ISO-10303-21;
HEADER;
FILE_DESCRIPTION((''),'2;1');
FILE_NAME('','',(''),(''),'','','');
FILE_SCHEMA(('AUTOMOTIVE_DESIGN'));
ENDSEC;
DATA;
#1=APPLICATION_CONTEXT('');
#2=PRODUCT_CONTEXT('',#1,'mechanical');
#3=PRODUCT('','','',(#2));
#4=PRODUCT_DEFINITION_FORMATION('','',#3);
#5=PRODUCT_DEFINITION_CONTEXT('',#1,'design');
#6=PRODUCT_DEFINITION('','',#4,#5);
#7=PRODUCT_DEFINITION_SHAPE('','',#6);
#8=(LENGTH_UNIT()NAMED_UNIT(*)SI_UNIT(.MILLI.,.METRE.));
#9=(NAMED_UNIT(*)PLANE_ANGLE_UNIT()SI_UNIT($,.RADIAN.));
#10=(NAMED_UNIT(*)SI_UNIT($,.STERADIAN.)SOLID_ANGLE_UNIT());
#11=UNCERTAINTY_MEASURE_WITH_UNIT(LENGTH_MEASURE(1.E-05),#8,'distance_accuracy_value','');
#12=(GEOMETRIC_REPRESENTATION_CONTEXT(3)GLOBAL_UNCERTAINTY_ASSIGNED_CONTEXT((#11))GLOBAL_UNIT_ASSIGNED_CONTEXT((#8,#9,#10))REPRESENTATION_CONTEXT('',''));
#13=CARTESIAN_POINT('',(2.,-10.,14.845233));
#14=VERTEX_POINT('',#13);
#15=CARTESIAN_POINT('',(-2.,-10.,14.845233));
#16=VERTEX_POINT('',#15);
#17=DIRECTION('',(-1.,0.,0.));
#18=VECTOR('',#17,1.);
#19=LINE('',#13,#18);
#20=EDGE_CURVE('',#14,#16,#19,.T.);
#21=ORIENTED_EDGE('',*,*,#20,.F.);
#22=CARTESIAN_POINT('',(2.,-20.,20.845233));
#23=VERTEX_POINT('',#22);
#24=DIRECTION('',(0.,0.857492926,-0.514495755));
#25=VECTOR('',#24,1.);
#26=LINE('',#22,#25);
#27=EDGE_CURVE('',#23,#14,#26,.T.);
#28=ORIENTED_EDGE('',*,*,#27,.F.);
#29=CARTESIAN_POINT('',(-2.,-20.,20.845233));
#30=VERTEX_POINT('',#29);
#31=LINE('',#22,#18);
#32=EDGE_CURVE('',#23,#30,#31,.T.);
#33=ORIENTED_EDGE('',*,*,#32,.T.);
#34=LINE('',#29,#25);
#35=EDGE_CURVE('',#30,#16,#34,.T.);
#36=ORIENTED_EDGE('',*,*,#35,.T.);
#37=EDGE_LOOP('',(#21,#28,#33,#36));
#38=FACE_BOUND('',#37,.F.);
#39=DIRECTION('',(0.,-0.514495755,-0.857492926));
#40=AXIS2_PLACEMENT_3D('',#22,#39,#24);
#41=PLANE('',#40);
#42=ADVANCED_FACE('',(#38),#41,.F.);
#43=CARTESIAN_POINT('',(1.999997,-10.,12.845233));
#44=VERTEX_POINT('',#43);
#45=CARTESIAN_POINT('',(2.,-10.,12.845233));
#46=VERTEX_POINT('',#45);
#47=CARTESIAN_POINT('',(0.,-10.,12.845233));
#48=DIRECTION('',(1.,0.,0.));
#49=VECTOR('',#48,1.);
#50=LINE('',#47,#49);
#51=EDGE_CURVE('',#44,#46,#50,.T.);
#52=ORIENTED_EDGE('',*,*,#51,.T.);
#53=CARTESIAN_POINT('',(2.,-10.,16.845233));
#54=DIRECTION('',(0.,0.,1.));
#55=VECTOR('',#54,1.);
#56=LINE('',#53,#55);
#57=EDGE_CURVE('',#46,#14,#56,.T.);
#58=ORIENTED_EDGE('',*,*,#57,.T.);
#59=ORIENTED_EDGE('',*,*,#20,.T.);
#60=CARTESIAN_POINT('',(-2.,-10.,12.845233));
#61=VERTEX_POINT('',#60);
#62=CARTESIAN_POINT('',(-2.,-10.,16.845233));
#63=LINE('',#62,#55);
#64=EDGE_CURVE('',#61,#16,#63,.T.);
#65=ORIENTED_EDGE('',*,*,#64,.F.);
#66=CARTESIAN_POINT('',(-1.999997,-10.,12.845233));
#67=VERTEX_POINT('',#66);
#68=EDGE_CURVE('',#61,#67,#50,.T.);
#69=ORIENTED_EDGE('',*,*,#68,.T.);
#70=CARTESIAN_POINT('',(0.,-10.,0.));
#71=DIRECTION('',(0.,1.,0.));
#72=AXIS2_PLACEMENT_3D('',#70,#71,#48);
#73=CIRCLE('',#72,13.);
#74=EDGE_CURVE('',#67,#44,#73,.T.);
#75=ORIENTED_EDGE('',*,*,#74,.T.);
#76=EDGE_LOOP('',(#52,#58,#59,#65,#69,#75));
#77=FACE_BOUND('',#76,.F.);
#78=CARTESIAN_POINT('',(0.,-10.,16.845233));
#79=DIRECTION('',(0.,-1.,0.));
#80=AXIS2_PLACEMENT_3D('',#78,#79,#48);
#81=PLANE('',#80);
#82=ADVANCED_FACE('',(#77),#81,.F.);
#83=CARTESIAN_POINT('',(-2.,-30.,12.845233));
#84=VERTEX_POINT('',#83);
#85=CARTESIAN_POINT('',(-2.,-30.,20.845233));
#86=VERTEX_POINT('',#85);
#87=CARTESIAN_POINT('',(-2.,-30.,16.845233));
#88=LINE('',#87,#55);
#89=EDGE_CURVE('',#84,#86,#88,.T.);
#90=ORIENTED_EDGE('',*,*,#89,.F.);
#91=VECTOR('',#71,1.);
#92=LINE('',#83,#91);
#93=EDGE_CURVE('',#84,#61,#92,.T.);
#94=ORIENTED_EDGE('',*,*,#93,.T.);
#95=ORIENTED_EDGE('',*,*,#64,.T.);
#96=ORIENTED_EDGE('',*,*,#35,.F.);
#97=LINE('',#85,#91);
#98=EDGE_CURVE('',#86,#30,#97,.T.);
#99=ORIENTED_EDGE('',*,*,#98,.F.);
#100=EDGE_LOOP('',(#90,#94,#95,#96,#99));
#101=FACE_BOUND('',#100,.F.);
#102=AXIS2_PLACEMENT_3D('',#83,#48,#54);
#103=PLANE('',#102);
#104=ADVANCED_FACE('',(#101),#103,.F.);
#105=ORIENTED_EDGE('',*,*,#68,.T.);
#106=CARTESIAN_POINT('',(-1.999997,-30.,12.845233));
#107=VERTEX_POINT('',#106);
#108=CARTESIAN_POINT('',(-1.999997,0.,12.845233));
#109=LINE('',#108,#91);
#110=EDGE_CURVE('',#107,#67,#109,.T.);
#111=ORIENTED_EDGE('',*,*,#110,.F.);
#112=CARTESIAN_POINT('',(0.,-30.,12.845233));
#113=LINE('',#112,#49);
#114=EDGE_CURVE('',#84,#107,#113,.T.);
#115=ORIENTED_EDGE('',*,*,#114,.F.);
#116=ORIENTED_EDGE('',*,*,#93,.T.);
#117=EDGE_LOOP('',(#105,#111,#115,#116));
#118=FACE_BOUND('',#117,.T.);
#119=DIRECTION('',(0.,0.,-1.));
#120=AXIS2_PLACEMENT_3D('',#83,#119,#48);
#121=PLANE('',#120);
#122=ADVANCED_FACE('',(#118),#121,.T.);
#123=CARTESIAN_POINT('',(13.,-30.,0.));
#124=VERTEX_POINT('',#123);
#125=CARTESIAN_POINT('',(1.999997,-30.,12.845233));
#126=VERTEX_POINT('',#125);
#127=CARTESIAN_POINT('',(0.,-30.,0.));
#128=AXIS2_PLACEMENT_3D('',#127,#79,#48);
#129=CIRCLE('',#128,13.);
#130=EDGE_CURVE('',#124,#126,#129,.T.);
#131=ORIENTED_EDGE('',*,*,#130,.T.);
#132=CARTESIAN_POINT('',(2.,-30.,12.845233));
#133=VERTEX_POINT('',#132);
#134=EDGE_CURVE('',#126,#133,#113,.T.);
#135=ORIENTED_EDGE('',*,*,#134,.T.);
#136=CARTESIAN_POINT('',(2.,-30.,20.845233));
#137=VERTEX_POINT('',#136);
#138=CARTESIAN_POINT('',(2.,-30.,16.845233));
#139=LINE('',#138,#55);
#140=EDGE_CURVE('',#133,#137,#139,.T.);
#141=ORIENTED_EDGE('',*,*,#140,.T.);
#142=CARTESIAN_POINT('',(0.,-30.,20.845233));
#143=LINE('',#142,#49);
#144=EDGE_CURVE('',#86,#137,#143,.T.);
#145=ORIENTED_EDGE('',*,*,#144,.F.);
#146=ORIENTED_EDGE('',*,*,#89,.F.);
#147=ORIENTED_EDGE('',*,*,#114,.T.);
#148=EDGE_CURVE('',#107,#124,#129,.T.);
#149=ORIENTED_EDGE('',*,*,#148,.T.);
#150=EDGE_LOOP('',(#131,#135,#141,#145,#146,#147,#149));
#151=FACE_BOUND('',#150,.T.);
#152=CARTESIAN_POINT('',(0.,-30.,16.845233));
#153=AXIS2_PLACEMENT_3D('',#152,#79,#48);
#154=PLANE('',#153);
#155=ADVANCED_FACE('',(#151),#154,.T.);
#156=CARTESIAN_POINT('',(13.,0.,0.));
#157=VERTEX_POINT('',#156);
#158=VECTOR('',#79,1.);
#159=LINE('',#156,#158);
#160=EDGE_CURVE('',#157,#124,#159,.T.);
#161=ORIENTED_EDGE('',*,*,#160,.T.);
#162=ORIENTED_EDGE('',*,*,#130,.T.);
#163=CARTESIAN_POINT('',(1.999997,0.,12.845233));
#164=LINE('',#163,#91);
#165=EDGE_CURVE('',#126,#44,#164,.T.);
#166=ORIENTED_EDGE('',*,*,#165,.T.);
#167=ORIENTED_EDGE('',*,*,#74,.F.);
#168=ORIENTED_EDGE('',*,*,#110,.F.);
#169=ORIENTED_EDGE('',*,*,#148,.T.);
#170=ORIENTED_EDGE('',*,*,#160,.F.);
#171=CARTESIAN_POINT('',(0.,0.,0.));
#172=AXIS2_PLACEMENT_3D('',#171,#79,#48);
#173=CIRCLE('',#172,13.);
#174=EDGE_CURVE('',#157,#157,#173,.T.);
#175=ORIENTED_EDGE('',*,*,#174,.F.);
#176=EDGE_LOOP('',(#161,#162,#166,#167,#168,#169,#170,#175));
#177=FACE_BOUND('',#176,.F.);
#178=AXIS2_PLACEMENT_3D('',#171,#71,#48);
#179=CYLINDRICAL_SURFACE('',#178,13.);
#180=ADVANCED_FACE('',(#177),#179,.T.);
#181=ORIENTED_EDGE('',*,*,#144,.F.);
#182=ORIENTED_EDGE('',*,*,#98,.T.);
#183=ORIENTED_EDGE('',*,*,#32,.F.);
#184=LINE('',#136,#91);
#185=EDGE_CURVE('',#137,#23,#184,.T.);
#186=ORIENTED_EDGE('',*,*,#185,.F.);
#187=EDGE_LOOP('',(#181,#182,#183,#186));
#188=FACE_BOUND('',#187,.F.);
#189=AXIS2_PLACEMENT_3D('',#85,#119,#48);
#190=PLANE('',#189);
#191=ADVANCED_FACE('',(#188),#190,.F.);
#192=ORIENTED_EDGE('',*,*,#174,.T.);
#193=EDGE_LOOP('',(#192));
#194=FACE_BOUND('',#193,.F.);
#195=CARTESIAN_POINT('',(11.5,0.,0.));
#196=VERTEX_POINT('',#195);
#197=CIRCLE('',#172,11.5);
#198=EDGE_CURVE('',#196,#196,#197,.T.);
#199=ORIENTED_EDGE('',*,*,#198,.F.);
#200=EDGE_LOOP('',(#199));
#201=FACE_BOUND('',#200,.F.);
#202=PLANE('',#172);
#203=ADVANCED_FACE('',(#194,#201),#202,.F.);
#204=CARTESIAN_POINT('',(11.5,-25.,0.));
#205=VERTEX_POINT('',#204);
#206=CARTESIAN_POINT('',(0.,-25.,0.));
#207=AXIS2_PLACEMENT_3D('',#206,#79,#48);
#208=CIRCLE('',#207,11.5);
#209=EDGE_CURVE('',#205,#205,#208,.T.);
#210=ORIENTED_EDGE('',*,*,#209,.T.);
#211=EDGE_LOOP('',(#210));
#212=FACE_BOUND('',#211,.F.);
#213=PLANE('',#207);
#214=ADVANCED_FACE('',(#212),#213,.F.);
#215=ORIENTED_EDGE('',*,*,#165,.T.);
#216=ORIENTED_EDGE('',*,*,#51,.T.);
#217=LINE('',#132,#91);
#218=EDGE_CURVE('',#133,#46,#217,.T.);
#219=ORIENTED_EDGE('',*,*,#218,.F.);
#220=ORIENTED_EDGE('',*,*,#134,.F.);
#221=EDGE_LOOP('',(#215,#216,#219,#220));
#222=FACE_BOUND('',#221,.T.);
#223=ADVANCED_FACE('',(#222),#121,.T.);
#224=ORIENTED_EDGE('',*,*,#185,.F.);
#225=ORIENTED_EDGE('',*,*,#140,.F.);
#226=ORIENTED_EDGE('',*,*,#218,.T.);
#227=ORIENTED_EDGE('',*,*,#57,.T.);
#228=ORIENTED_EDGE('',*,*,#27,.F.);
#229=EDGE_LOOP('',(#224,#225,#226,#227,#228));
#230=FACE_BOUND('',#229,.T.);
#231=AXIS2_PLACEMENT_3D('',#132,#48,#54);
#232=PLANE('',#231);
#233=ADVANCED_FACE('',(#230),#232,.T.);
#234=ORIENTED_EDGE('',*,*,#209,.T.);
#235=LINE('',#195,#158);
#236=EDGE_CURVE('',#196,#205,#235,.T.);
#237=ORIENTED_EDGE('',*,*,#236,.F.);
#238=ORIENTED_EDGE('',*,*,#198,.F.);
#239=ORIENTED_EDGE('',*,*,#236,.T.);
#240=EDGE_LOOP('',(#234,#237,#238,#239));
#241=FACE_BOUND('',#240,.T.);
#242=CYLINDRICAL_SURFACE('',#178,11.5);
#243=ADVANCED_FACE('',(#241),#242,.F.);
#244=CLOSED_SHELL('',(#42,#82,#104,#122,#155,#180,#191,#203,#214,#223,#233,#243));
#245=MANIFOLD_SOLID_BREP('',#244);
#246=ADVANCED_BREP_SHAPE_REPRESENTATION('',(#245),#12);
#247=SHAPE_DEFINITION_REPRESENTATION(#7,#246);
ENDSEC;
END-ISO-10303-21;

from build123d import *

# Parameters (mm, degrees)
F0_R     = 13
F1_DEPTH = 30
F2_R     = 11.5
F3_DEPTH = 25
F4_W     = 4
F4_H     = 8
F5_DEPTH = 20
F7_DEPTH = 4


with BuildPart() as f1:
    # F0 (on Front) → F1 (new body)
    with BuildSketch(Plane.XZ):
        Circle(F0_R)
    extrude(amount=F1_DEPTH)

    # F2 (on Front) → F3 (cut)
    with BuildSketch(Plane.XZ):
        Circle(F2_R)
    extrude(amount=F3_DEPTH, mode=Mode.SUBTRACT)

    # F4 (on face) → F5 (join)
    with BuildSketch(Plane.XZ.offset(30)):
        with Locations((0, 16.845233)):
            Rectangle(F4_W, F4_H)
    extrude(amount=-F5_DEPTH)

    # F6 (on face) → F7 (cut)
    with BuildSketch(Plane.YZ.offset(2)):
        Polygon((-10, 20.845233), (-20, 20.845233), (-10, 14.845233), align=None)
    extrude(amount=-F7_DEPTH, mode=Mode.SUBTRACT)


solid = f1.part
